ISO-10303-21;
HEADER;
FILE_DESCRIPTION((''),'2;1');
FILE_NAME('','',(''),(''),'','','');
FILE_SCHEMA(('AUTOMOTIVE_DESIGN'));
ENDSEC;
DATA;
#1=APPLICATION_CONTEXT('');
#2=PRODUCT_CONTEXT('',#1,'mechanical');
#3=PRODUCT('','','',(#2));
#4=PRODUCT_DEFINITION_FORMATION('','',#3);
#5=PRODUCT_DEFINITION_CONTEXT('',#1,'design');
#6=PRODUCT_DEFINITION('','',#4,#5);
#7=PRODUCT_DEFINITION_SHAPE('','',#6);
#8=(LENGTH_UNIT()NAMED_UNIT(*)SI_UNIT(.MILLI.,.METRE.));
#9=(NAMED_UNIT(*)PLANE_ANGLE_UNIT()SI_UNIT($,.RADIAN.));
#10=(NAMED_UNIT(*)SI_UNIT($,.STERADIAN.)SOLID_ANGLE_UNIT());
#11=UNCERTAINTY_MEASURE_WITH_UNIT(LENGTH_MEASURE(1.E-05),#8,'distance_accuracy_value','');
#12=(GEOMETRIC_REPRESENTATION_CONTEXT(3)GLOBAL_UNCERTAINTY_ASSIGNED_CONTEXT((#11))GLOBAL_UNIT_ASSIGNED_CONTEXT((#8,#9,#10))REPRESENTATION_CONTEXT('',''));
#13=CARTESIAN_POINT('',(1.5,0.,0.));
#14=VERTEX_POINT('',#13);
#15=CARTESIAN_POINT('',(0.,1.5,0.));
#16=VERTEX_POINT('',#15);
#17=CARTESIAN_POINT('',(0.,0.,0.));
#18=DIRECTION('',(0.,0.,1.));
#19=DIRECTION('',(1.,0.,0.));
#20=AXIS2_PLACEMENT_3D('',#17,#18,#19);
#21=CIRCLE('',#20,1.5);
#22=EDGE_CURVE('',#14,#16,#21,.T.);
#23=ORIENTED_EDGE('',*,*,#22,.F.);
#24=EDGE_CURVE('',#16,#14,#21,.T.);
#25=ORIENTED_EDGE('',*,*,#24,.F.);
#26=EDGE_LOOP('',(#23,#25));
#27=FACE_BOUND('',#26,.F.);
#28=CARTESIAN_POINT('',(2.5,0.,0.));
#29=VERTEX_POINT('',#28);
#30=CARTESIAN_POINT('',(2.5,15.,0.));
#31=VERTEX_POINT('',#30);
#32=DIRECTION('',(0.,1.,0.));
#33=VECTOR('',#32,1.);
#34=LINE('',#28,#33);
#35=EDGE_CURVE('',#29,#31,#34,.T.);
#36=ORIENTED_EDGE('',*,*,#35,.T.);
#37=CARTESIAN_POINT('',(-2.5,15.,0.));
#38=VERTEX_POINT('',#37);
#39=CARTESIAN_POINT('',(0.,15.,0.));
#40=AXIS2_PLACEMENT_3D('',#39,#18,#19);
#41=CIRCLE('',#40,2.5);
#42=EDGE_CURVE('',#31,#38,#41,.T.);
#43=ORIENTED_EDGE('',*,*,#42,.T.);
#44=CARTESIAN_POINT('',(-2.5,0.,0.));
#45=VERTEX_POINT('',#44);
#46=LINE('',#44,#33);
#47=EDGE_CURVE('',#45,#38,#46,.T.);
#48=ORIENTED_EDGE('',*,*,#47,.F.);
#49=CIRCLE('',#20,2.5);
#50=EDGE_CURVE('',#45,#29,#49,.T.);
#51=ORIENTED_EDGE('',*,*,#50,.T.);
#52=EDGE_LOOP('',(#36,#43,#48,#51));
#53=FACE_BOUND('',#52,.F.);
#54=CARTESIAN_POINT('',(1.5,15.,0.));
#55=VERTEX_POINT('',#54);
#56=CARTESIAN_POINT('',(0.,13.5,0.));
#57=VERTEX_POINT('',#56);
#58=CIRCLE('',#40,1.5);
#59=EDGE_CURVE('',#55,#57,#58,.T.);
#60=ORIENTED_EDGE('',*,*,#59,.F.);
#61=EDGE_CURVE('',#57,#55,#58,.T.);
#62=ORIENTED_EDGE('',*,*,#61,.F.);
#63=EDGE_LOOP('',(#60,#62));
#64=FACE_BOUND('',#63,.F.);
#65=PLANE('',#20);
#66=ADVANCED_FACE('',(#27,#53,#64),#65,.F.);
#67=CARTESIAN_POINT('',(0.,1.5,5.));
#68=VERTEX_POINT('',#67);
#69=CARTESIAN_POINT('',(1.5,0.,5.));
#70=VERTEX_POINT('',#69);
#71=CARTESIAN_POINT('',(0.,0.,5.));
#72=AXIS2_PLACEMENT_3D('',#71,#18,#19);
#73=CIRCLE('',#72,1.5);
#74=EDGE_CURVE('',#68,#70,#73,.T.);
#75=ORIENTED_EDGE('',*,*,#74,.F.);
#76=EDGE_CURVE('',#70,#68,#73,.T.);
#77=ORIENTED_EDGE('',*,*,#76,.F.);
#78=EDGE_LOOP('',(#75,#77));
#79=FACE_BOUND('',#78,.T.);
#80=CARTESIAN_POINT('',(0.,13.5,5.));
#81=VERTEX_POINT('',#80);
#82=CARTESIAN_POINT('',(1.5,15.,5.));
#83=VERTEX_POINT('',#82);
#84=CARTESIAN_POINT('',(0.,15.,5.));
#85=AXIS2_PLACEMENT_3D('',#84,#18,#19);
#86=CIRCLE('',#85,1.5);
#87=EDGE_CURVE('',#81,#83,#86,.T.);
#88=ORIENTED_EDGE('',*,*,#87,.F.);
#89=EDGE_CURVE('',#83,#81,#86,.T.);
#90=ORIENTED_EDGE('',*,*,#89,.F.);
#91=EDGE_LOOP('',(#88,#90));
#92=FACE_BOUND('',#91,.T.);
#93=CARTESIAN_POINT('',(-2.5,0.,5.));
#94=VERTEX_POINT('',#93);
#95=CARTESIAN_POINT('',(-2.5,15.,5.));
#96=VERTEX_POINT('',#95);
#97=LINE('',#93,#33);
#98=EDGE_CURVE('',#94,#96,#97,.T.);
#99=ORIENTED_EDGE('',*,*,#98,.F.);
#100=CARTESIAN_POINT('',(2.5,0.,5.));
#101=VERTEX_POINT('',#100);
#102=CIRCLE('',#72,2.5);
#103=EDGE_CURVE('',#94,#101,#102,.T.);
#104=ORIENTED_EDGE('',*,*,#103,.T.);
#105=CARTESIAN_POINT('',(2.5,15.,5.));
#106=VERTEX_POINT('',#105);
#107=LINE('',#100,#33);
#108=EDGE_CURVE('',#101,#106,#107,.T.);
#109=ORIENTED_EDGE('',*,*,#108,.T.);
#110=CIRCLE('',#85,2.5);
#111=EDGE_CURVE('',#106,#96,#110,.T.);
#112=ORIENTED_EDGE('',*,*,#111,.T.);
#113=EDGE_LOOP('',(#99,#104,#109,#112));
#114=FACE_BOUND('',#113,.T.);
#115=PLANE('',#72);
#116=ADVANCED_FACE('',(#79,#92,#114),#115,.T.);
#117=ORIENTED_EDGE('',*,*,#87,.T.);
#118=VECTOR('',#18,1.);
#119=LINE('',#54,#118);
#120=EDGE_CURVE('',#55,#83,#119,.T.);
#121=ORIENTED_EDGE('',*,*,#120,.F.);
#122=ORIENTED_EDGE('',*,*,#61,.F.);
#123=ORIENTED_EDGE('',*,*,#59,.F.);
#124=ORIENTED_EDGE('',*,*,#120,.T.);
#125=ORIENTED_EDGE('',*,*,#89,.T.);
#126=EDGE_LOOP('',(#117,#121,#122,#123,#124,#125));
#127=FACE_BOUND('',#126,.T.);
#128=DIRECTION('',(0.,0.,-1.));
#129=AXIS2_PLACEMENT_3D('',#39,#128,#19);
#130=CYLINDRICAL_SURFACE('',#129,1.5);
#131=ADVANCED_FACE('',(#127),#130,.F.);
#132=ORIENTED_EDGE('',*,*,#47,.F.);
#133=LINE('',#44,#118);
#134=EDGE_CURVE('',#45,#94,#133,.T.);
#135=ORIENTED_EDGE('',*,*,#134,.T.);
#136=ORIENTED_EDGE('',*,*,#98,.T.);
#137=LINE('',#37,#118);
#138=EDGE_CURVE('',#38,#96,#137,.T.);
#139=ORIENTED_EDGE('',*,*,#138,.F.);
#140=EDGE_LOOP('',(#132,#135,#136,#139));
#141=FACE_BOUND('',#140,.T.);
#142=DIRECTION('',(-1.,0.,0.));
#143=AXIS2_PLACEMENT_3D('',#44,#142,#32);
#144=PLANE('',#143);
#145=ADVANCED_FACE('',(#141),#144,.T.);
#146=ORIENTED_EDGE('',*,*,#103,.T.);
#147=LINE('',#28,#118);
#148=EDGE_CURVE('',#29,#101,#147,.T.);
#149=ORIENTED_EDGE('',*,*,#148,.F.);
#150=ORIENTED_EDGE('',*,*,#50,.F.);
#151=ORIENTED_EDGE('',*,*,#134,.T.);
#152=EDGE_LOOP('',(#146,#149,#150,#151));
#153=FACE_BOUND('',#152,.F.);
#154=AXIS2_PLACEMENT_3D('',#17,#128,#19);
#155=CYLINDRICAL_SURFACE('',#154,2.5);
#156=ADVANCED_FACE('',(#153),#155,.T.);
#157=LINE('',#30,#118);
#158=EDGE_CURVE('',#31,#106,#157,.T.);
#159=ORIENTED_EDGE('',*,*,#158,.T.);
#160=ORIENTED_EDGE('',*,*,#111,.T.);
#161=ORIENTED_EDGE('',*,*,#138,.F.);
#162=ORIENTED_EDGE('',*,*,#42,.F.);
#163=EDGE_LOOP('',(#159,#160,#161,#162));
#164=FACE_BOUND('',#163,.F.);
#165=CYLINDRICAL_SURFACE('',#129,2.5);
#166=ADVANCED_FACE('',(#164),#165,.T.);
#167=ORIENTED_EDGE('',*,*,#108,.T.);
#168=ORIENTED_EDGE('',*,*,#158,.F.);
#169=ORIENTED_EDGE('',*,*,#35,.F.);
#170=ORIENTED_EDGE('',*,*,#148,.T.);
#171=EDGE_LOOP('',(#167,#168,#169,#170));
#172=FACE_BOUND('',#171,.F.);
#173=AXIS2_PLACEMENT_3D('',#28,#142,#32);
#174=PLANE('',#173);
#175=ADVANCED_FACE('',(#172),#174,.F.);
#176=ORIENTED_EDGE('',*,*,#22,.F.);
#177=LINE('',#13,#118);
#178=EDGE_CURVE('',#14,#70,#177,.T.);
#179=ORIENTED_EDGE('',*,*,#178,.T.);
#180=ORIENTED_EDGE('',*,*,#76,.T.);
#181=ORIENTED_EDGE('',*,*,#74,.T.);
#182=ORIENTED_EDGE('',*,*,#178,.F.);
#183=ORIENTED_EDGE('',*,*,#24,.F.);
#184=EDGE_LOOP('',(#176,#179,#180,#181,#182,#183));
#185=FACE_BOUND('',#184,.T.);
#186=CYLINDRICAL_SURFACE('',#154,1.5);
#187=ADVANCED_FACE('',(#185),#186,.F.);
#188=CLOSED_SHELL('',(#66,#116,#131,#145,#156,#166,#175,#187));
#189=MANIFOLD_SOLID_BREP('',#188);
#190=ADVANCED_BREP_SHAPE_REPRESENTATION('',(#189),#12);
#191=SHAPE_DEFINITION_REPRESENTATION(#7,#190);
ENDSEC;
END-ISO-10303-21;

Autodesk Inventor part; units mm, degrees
ref_plane "YZ Plane" through (0, 0, 0) normal (1, 0, 0) x (0, 1, 0)
ref_plane "XZ Plane" through (0, 0, 0) normal (0, 1, 0) x (-1, 0, 0)
ref_plane "XY Plane" through (0, 0, 0) normal (0, 0, 1) x (1, 0, 0)
sketch "Sketch1" plane through (0, 0, 0) normal (0, 0, 1) x (1, 0, 0)
  circle A0 centre (0, 0) radius 1.5
  circle A1 centre (0, 0) radius 2.5
  line L0 (0, 0) -> (0, 15)
  circle A2 centre (0, 15) radius 1.5
  circle A3 centre (0, 15) radius 2.5
  line L1 (-2.5, 0) -> (-2.5, 15)
  line L2 (2.5, 0) -> (2.5, 15)
  dimension "d0" = 3
  dimension "d1" = 5
  dimension "d2" = 15
  dimension "d3" = 3
  dimension "d4" = 5
extrude "Extrusion1" add sketch "Sketch1" along normal blind 5
properties part number "bar_mid_2"
